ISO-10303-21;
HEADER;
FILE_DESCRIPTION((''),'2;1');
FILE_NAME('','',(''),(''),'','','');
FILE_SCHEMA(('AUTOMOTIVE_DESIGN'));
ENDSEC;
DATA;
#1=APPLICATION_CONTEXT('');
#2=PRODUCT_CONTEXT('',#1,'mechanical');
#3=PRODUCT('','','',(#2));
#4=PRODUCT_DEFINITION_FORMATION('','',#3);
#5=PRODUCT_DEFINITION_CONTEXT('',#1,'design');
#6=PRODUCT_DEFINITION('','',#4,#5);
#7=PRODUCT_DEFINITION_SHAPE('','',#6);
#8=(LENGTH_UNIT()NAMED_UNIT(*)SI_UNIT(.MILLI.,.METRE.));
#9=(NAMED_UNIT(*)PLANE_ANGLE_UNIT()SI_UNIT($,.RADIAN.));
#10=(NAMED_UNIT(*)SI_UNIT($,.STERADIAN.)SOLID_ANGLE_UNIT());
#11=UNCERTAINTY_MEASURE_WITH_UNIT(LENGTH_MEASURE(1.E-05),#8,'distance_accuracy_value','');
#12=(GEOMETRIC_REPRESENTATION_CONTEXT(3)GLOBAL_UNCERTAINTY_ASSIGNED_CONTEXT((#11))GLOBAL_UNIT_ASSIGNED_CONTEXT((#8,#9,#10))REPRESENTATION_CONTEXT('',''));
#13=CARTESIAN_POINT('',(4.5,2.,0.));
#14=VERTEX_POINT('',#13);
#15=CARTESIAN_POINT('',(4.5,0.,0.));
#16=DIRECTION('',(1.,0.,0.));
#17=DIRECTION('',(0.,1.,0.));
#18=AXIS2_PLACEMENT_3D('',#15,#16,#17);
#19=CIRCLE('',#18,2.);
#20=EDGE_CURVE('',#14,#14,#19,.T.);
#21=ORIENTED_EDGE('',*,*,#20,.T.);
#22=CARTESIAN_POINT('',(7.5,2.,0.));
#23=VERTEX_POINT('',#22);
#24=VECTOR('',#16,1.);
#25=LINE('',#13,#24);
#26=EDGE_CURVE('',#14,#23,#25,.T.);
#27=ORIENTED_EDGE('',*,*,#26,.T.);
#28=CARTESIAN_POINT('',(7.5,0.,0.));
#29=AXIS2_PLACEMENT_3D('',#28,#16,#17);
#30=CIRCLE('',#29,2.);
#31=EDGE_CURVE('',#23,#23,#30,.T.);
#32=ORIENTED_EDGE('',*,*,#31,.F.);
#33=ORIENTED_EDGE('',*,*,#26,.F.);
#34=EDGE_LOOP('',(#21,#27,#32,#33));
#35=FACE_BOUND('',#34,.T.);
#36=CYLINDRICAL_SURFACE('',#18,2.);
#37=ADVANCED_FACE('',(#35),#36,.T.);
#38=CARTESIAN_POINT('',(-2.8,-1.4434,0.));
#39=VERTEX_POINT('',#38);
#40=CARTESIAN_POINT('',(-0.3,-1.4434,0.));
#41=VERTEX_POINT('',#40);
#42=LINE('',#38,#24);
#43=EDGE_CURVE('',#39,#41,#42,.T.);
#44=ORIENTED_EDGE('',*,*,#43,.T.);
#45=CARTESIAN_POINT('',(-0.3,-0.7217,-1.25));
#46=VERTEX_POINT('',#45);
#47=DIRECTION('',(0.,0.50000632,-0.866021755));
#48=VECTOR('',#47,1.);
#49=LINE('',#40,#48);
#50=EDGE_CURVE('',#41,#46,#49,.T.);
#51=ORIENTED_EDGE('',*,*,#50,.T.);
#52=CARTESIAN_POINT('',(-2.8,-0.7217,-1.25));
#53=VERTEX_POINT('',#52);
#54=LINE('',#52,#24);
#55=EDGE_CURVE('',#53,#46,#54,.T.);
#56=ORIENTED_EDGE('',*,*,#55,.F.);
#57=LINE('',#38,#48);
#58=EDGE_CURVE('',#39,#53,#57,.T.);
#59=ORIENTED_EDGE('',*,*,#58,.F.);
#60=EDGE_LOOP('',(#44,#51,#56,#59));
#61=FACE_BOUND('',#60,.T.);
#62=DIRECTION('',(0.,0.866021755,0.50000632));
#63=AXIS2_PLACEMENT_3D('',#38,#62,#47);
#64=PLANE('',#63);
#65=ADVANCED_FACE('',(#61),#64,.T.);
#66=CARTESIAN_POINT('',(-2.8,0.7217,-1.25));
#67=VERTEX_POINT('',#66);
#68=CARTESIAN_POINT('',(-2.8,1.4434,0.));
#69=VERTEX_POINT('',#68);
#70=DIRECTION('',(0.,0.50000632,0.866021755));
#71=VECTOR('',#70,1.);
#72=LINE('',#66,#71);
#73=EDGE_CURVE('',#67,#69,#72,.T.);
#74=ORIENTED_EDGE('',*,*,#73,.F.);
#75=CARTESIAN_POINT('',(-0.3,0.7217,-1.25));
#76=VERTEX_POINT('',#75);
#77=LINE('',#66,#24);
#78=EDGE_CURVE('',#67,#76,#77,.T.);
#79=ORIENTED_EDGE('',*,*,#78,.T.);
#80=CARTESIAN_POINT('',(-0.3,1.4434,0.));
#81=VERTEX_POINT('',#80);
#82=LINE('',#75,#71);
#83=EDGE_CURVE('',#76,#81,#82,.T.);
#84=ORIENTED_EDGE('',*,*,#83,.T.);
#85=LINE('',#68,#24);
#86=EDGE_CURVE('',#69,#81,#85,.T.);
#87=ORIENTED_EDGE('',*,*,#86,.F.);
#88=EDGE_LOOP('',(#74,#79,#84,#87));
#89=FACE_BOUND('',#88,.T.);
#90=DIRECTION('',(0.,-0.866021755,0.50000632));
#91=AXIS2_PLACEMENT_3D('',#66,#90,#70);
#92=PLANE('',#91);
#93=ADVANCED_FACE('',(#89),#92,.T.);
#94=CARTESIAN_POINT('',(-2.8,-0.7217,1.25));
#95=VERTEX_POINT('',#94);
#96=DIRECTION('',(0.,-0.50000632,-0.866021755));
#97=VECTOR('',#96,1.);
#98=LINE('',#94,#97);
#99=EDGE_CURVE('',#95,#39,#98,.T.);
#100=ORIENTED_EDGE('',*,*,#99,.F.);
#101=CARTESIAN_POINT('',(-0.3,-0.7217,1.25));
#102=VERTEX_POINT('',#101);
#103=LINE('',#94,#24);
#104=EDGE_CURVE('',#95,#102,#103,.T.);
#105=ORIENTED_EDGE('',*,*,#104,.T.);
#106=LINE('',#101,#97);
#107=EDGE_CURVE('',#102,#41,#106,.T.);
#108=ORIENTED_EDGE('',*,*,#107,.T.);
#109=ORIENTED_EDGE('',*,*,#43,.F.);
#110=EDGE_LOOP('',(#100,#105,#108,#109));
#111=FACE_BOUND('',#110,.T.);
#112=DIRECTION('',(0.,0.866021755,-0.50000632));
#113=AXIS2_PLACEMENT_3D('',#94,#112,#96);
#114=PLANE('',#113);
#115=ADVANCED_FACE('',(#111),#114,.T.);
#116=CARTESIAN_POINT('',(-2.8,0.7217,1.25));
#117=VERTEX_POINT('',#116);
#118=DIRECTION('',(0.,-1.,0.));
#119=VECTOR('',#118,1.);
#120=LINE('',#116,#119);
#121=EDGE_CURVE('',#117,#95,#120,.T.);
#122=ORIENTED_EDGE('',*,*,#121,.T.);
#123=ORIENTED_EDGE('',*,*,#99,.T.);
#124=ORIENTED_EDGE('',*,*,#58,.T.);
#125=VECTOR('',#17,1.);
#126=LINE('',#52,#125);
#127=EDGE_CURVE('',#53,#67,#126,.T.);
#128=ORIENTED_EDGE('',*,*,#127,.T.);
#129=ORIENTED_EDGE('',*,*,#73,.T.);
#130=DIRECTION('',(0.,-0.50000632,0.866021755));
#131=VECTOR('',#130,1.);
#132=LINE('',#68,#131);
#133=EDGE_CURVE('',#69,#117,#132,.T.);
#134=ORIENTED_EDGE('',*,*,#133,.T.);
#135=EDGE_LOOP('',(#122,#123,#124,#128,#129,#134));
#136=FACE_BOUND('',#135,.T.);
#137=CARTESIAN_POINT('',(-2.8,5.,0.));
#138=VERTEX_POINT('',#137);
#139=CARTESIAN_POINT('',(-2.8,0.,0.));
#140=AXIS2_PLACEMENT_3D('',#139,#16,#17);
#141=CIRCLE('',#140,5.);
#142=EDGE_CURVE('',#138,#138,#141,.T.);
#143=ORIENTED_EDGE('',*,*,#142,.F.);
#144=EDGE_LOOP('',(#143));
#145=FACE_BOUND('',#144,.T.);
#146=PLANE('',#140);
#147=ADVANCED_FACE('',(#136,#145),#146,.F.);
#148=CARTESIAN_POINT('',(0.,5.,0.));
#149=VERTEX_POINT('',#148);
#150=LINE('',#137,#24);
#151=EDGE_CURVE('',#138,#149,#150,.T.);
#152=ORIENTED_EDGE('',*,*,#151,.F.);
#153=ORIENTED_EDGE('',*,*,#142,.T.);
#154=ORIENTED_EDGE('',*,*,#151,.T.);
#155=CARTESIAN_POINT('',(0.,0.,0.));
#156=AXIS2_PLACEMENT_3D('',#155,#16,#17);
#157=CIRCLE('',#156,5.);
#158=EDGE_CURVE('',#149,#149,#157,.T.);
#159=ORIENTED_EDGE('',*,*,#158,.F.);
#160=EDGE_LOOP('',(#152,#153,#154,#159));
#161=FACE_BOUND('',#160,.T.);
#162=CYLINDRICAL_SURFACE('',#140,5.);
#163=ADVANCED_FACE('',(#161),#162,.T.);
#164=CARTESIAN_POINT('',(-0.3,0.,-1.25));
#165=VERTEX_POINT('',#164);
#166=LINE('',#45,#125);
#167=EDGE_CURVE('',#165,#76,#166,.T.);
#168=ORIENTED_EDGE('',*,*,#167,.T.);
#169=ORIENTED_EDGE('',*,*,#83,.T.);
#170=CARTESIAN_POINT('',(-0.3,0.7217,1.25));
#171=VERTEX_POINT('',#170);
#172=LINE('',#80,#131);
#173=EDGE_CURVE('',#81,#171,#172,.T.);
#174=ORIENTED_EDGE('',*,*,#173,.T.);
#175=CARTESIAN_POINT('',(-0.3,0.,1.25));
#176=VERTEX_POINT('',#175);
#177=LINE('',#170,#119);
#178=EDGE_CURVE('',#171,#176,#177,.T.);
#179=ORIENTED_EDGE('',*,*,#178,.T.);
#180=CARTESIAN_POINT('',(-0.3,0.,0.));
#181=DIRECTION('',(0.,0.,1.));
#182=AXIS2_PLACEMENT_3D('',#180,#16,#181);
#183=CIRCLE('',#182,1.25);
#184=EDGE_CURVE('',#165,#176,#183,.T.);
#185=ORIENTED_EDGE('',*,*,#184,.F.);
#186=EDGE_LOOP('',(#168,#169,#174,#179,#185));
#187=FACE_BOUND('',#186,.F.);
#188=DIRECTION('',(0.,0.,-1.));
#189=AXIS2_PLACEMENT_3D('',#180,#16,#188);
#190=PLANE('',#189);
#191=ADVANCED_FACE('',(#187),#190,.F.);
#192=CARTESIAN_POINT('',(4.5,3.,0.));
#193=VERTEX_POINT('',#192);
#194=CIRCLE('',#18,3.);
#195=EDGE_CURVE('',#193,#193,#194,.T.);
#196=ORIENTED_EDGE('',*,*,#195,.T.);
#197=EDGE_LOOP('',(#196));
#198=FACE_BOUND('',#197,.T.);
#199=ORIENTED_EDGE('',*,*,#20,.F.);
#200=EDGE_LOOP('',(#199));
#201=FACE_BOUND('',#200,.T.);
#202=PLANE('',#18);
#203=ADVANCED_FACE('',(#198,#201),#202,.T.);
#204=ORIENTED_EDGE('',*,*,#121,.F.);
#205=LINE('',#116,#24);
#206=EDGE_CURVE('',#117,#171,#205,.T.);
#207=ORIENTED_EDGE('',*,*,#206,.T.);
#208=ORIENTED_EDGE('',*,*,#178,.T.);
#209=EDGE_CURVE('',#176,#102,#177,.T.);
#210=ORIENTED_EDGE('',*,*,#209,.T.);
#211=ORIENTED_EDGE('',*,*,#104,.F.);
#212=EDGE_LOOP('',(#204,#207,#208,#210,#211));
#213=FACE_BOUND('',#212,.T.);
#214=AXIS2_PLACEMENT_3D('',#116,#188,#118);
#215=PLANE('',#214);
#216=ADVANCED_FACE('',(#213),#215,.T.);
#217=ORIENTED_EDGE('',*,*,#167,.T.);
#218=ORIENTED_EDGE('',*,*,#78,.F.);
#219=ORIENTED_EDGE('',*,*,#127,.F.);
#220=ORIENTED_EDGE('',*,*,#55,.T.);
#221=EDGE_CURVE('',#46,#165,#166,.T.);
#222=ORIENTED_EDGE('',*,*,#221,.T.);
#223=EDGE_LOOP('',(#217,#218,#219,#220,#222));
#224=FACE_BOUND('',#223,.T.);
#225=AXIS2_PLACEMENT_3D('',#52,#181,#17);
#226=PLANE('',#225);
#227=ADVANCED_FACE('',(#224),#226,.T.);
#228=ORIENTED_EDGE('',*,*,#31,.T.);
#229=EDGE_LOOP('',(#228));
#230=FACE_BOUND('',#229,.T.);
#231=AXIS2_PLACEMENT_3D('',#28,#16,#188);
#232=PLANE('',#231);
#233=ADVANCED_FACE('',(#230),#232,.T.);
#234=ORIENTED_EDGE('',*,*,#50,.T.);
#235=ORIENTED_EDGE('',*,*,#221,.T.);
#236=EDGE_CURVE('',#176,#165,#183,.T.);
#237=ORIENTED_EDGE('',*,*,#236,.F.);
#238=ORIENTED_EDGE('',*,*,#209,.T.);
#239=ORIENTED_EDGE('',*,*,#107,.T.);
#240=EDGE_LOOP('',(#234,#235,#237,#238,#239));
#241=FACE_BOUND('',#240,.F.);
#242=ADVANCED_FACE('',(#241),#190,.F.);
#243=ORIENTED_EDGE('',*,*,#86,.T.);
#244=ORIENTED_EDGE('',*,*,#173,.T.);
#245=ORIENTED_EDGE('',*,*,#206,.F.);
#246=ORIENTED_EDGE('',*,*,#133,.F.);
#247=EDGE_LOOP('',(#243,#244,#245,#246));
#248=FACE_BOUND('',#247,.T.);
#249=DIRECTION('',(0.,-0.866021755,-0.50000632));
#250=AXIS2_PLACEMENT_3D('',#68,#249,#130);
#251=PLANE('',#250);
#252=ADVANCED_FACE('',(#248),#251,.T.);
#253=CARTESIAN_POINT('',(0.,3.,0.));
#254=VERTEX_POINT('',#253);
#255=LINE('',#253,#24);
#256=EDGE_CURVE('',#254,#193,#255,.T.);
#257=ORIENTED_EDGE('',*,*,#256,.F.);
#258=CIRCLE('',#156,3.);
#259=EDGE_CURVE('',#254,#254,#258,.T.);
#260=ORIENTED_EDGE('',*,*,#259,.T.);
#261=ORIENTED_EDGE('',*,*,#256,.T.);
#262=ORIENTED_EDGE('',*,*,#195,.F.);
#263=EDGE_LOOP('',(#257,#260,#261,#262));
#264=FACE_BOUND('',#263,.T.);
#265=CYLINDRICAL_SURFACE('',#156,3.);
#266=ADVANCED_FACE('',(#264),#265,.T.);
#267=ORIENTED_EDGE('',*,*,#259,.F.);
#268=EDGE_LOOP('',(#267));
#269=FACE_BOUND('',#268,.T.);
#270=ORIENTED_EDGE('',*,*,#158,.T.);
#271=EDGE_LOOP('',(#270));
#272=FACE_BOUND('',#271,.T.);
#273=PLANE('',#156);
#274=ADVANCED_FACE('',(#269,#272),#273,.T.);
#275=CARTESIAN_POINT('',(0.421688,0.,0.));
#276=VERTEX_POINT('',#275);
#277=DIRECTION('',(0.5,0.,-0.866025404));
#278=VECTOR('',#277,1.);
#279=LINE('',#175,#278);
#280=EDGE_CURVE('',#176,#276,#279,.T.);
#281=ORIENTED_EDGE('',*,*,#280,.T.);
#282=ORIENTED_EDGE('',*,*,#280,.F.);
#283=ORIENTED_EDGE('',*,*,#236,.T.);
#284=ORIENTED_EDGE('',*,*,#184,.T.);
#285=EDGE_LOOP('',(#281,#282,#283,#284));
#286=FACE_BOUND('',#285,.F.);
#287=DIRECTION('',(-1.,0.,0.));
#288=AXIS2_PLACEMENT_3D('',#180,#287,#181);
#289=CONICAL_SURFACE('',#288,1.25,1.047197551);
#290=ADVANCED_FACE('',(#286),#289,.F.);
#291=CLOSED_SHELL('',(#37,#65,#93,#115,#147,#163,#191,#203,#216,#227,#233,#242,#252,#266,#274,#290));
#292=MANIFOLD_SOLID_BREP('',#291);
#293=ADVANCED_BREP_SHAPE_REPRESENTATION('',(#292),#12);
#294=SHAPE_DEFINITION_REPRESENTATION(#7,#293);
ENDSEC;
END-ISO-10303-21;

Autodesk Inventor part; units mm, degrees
ref_plane "YZ Plane" through (0, 0, 0) normal (1, 0, 0) x (0, 1, 0)
ref_plane "XZ Plane" through (0, 0, 0) normal (0, 1, 0) x (-1, 0, 0)
ref_plane "XY Plane" through (0, 0, 0) normal (0, 0, 1) x (1, 0, 0)
sketch "Sketch_1" plane through (0, 0, 0) normal (0, 0, 1) x (1, 0, 0)
  line L0 (4.5, 0) -> (-2.8, 0)
  line L1 (-2.8, 0) -> (-2.8, 5)
  line L2 (-2.8, 5) -> (0, 5)
  line L3 (0, 5) -> (0, 3)
  line L4 (0, 3) -> (4.5, 3)
  line L5 (4.5, 3) -> (4.5, 0)
  line L6 (4.5, 0) -> (-2.8, 0)
revolve "Revolution1" add sketch "Sketch_1" angle 360 about axis through (4.5, 0, 0) along (1, 0, 0)
sketch "Sketch2" plane through (-2.8, 0, 0) normal (-1, 0, 0) x (0, 0, 1)
  point P0 (0, 0)
hole "Hole1" at (-2.8, 0, 0) direction (1, 0, 0) diameter 2.5 depth 2.5 tip angle 120
sketch "Sketch_3" plane through (-2.8, 0, 0) normal (1, 0, 0) x (0, 0, -1)
  line L0 (-1.25, -0.7217) -> (0, -1.4434)
  line L1 (0, -1.4434) -> (1.25, -0.7217)
  line L2 (1.25, -0.7217) -> (1.25, 0.7217)
  line L3 (1.25, 0.7217) -> (0, 1.4434)
  line L4 (0, 1.4434) -> (-1.25, 0.7217)
  line L5 (-1.25, 0.7217) -> (-1.25, -0.7217)
extrude "Extrusion1" cut sketch "Sketch_3" along normal blind 2.5
sketch "Sketch_6" plane through (0, 0, 0) normal (0, 0, 1) x (1, 0, 0)
  line L0 (9.5, 0) -> (4.5, 0)
  line L1 (4.5, 0) -> (4.5, 2)
  line L2 (4.5, 2) -> (9.0705, 2)
  line L3 (9.0705, 2) -> (9.5, 1.5705)
  line L4 (9.5, 1.5705) -> (9.5, 0)
  line L5 (9.5, 0) -> (4.5, 0)
revolve "Revolution2" add sketch "Sketch_6" angle 360 about axis through (9.5, 0, 0) along (1, 0, 0)
thread "Thread1" size "M4x0.7" class "6g" standard "ISO Metric profile" length 3.3705
sketch "スケッチ5" plane through (9.5, 0, 0) normal (1, 0, 0) x (0, 0, -1)
  circle A0 centre (0, 0) radius 5
extrude "押し出し2" cut sketch "スケッチ5" against normal blind 2
properties part number "DBTS4-4_5-5-LTC_mod"
